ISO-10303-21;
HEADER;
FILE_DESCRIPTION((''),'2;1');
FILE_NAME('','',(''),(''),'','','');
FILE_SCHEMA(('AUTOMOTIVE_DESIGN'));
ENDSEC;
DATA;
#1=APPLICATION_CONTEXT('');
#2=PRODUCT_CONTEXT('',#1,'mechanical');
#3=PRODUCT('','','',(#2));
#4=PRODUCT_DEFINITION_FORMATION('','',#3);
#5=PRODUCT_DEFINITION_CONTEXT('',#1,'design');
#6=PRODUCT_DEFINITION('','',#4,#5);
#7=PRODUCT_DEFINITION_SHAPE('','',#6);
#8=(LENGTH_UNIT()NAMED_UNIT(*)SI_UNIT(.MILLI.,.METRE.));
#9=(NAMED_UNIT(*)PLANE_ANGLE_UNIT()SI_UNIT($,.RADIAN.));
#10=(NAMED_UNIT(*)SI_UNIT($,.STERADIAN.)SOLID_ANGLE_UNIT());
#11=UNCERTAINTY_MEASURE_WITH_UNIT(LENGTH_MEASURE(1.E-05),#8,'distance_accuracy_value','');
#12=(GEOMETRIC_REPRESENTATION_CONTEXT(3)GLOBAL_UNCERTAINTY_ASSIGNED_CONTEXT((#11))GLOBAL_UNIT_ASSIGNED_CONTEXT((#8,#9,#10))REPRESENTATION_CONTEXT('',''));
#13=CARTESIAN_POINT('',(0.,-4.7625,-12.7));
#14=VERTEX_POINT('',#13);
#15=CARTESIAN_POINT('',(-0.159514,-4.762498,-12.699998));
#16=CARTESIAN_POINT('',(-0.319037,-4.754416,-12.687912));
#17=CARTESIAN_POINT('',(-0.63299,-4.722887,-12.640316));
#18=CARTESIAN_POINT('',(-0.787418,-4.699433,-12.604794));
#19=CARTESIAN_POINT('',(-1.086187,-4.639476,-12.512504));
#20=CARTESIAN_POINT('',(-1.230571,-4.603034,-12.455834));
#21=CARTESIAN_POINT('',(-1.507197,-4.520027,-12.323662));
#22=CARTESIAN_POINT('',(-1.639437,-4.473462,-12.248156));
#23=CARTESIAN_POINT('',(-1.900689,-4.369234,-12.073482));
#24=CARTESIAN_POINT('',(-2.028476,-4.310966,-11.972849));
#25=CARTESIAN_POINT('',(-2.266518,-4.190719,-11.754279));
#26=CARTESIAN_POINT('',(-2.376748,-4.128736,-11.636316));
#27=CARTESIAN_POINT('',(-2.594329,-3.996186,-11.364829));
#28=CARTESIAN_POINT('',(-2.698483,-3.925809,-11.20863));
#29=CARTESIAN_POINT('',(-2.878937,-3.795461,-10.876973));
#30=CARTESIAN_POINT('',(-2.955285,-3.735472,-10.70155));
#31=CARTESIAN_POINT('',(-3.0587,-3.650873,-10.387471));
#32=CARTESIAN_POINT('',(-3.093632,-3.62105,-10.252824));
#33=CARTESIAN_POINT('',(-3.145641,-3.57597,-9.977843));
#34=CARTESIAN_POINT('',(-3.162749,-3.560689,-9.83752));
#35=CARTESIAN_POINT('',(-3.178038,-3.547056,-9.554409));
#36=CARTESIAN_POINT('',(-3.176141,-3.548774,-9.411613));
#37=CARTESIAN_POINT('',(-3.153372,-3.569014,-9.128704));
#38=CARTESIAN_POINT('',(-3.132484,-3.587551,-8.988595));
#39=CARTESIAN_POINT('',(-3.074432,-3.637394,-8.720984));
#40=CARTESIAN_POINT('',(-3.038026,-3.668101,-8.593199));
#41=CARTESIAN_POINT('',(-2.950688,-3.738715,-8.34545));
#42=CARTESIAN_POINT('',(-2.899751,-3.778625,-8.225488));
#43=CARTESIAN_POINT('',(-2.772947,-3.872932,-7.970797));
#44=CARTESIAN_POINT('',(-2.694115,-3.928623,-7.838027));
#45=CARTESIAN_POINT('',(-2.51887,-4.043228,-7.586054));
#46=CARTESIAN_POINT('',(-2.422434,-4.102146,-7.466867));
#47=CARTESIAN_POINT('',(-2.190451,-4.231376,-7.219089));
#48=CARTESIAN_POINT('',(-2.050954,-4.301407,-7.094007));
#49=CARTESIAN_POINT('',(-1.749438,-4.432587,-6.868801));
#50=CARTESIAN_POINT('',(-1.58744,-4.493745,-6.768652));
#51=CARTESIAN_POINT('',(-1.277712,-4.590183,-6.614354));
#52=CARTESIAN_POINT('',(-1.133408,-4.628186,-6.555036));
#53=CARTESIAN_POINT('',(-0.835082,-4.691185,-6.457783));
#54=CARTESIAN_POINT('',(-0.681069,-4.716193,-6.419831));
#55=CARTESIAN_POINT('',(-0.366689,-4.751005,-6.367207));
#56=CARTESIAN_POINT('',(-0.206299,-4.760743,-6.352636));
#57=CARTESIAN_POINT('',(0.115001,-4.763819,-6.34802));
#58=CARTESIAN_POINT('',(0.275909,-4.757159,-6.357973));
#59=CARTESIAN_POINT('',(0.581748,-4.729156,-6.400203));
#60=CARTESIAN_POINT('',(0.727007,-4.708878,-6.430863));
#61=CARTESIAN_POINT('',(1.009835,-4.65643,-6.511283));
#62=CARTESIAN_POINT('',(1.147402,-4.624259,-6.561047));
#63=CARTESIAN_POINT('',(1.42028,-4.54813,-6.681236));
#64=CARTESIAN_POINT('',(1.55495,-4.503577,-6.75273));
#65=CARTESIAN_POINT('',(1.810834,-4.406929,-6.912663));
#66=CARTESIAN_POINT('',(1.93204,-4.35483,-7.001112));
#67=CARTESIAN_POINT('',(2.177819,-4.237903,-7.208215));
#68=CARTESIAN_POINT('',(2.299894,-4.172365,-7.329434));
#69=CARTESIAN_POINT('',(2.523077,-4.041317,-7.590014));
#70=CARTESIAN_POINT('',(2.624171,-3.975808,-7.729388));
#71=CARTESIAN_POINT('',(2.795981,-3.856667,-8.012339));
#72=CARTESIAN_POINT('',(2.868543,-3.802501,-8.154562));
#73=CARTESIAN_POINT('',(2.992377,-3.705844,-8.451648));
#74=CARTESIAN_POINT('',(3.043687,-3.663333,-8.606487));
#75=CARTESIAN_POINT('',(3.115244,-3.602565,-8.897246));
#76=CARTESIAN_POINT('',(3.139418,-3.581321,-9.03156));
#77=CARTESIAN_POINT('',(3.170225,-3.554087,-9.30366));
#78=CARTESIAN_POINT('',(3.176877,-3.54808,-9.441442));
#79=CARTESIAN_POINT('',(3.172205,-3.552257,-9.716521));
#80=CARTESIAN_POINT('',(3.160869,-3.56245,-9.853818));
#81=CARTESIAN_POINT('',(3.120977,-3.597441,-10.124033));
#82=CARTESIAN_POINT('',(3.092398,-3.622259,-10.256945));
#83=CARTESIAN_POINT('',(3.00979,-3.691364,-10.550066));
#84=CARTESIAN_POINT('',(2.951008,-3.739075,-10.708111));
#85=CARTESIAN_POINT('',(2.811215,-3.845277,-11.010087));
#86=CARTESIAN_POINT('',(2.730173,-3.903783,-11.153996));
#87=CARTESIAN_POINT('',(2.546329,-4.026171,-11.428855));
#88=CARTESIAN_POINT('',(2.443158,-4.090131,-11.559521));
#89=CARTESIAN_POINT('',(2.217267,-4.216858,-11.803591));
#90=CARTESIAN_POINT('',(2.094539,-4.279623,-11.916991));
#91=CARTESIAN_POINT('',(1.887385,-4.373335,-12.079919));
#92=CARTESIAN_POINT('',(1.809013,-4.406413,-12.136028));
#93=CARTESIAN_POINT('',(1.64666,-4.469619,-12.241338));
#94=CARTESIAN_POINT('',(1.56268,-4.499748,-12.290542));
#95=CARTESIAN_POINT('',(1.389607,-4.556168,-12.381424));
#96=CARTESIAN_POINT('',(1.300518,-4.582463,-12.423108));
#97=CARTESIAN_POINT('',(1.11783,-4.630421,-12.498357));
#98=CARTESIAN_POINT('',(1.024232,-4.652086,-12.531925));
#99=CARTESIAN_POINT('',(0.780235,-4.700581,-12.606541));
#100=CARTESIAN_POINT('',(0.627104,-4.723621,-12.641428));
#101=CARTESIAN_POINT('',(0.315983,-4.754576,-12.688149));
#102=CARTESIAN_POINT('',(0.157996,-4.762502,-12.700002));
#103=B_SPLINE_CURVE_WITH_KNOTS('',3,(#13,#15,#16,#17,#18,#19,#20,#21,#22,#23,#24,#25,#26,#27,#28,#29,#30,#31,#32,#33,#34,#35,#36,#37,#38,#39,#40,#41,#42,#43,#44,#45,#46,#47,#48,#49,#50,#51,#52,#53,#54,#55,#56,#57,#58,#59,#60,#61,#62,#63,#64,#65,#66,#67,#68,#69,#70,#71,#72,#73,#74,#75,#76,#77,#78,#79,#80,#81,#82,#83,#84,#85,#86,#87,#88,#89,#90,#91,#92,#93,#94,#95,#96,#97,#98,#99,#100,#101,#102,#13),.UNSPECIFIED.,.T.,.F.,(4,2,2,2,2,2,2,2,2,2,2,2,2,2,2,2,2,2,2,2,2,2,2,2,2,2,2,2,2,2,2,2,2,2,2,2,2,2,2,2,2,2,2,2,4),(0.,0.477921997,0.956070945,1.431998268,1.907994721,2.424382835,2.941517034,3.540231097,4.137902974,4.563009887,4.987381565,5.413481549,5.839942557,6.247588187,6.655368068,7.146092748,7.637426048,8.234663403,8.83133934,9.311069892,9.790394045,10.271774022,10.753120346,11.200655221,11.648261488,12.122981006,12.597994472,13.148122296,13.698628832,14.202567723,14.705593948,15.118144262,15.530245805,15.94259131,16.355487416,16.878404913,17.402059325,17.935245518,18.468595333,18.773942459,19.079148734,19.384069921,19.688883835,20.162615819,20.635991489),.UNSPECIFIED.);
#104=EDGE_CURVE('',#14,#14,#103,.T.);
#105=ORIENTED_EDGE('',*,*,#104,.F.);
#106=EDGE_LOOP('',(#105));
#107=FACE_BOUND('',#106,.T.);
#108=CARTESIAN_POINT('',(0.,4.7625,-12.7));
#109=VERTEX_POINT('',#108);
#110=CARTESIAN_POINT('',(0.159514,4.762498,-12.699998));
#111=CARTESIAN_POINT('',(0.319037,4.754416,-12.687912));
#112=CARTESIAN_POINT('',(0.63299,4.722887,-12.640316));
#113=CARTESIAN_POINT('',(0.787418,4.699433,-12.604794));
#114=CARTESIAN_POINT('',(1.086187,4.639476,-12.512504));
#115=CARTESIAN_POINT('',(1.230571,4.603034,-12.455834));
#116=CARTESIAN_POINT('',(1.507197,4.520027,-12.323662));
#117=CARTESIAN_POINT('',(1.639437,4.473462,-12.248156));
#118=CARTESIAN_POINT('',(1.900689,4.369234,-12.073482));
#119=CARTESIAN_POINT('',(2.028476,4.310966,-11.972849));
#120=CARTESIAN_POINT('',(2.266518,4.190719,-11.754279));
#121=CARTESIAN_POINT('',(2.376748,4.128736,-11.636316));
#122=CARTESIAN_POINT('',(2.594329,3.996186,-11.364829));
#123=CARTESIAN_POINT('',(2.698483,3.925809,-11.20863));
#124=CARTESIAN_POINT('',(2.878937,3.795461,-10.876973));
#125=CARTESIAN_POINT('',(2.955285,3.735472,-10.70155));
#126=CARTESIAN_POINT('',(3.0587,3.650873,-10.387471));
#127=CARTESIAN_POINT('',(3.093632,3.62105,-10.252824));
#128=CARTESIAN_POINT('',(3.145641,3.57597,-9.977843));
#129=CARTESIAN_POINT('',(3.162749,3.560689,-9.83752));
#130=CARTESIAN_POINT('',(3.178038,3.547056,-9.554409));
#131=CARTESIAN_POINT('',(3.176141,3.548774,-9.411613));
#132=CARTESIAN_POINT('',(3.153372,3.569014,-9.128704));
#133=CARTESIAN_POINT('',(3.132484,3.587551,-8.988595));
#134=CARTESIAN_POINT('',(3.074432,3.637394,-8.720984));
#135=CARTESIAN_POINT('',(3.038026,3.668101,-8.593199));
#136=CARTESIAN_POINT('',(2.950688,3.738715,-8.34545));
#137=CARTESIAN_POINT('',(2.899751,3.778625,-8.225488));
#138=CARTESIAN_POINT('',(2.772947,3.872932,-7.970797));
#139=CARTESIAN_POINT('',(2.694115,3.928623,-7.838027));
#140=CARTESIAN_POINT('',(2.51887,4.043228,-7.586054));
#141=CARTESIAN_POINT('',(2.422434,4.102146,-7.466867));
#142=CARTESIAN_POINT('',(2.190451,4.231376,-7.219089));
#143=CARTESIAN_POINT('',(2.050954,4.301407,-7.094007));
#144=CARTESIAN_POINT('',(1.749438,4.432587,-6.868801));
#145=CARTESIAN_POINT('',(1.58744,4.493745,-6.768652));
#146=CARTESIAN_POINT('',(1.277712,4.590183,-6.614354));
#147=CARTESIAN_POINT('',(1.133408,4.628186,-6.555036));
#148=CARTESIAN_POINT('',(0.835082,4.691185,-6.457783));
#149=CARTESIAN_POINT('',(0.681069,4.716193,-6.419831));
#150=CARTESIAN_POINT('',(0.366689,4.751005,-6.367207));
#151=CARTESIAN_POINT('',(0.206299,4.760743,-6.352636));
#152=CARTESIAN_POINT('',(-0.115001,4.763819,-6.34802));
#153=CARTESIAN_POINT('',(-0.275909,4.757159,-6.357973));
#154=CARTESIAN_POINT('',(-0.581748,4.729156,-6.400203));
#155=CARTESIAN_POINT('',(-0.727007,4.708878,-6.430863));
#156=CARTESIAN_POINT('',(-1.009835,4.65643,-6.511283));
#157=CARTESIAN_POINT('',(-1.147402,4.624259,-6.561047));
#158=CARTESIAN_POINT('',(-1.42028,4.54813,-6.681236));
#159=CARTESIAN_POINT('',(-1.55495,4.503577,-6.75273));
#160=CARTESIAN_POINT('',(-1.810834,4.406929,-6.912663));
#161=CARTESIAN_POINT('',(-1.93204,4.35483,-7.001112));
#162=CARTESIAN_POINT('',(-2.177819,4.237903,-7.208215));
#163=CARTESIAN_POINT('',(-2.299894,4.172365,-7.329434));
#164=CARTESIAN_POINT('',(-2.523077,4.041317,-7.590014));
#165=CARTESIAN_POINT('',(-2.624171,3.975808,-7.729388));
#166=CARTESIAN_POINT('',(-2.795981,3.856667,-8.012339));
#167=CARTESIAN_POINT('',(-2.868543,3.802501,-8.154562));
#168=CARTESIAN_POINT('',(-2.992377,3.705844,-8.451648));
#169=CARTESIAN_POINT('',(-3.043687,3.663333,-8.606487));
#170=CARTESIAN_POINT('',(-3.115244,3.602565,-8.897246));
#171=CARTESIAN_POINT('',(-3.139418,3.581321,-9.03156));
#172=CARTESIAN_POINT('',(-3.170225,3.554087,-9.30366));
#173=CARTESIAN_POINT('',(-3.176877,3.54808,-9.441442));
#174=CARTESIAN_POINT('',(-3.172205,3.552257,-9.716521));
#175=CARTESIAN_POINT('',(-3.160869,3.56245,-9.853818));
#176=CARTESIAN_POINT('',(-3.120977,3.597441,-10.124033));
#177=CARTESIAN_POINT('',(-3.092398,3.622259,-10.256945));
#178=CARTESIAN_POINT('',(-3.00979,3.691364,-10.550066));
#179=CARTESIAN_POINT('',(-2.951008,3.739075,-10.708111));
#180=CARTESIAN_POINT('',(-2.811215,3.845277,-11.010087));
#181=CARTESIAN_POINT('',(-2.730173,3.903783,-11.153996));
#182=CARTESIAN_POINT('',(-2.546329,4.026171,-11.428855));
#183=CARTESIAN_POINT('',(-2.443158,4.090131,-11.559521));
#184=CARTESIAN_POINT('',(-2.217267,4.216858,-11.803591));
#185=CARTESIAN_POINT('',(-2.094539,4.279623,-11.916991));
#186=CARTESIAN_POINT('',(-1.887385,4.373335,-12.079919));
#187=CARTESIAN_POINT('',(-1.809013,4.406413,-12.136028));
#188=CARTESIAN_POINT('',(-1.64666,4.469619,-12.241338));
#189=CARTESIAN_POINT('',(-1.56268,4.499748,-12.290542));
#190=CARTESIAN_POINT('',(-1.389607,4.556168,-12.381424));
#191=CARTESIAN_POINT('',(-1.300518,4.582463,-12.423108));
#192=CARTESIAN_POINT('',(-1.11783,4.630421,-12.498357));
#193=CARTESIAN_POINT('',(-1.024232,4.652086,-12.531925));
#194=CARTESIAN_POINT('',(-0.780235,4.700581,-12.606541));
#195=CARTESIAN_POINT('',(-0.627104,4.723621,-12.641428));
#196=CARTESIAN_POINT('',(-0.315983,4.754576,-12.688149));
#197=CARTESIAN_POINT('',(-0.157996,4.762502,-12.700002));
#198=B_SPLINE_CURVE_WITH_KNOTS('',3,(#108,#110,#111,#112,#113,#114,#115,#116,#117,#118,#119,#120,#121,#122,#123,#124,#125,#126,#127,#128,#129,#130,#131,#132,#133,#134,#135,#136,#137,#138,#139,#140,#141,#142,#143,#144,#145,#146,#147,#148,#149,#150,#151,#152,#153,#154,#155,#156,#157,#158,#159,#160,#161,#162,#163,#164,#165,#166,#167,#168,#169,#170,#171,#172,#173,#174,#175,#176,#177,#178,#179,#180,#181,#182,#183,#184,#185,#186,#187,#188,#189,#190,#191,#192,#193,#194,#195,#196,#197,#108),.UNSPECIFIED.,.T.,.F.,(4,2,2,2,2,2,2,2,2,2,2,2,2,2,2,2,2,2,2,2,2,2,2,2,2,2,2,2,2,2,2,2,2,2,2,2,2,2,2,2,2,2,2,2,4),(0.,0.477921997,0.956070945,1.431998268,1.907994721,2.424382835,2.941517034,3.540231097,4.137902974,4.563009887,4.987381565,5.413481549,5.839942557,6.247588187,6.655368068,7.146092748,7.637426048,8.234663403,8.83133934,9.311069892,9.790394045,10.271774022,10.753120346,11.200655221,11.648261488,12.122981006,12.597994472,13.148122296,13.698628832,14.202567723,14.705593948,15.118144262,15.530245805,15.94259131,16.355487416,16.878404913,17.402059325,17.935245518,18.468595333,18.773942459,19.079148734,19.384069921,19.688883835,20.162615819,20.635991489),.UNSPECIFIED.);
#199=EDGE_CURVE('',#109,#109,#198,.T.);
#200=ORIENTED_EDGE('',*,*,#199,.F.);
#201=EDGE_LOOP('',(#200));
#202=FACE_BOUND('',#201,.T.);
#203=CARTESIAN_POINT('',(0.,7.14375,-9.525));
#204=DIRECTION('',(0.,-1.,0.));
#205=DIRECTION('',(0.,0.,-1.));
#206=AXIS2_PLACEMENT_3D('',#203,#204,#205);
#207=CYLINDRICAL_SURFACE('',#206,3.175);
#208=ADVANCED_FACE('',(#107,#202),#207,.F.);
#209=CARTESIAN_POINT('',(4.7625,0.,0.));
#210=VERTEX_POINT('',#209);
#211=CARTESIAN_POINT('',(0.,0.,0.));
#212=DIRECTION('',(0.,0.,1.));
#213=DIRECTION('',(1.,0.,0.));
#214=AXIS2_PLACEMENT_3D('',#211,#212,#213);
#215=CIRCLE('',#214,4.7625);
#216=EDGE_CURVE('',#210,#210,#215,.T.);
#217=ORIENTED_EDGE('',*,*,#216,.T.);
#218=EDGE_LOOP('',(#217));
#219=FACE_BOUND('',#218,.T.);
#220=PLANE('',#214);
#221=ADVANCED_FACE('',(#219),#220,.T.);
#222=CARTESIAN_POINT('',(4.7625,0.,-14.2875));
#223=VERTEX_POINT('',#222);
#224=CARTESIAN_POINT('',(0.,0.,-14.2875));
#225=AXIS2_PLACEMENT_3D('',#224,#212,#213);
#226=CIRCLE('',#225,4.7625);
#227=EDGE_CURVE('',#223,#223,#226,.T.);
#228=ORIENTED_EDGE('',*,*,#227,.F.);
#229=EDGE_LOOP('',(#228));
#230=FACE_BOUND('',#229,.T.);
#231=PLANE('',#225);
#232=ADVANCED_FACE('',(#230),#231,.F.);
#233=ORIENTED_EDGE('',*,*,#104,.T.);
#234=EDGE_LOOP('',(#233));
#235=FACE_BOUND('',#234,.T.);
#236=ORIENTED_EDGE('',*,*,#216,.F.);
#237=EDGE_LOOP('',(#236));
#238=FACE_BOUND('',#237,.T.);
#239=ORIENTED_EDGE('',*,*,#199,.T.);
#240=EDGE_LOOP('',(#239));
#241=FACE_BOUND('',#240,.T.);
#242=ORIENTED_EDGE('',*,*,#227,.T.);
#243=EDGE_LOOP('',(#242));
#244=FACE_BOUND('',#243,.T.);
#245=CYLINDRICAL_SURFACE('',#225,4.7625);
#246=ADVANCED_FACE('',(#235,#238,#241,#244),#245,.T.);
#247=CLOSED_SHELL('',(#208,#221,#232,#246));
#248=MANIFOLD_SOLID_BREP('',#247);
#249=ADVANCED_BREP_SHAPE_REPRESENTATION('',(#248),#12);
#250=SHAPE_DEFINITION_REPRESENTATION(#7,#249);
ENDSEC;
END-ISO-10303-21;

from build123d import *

# Parameters (mm, degrees)
SKETCH1_R           = 4.7625
BOSS_EXTRUDE1_DEPTH = 14.2875
SKETCH2_R           = 3.175
CUT_EXTRUDE1_DEPTH  = 7.14375


with BuildPart() as part:
    # Sketch1 → Boss-Extrude1 (new body)
    with BuildSketch(Plane.XY):
        Circle(SKETCH1_R)
    extrude(amount=-BOSS_EXTRUDE1_DEPTH)

    # Sketch2 → Cut-Extrude1 (cut, symmetric)
    with BuildSketch(Plane(origin=(0, 0, 0), x_dir=(1, 0, 0), z_dir=(0, 1, 0))):
        with Locations((0, 9.525)):
            Circle(SKETCH2_R)
    extrude(amount=CUT_EXTRUDE1_DEPTH, both=True, mode=Mode.SUBTRACT)


solid = part.part
